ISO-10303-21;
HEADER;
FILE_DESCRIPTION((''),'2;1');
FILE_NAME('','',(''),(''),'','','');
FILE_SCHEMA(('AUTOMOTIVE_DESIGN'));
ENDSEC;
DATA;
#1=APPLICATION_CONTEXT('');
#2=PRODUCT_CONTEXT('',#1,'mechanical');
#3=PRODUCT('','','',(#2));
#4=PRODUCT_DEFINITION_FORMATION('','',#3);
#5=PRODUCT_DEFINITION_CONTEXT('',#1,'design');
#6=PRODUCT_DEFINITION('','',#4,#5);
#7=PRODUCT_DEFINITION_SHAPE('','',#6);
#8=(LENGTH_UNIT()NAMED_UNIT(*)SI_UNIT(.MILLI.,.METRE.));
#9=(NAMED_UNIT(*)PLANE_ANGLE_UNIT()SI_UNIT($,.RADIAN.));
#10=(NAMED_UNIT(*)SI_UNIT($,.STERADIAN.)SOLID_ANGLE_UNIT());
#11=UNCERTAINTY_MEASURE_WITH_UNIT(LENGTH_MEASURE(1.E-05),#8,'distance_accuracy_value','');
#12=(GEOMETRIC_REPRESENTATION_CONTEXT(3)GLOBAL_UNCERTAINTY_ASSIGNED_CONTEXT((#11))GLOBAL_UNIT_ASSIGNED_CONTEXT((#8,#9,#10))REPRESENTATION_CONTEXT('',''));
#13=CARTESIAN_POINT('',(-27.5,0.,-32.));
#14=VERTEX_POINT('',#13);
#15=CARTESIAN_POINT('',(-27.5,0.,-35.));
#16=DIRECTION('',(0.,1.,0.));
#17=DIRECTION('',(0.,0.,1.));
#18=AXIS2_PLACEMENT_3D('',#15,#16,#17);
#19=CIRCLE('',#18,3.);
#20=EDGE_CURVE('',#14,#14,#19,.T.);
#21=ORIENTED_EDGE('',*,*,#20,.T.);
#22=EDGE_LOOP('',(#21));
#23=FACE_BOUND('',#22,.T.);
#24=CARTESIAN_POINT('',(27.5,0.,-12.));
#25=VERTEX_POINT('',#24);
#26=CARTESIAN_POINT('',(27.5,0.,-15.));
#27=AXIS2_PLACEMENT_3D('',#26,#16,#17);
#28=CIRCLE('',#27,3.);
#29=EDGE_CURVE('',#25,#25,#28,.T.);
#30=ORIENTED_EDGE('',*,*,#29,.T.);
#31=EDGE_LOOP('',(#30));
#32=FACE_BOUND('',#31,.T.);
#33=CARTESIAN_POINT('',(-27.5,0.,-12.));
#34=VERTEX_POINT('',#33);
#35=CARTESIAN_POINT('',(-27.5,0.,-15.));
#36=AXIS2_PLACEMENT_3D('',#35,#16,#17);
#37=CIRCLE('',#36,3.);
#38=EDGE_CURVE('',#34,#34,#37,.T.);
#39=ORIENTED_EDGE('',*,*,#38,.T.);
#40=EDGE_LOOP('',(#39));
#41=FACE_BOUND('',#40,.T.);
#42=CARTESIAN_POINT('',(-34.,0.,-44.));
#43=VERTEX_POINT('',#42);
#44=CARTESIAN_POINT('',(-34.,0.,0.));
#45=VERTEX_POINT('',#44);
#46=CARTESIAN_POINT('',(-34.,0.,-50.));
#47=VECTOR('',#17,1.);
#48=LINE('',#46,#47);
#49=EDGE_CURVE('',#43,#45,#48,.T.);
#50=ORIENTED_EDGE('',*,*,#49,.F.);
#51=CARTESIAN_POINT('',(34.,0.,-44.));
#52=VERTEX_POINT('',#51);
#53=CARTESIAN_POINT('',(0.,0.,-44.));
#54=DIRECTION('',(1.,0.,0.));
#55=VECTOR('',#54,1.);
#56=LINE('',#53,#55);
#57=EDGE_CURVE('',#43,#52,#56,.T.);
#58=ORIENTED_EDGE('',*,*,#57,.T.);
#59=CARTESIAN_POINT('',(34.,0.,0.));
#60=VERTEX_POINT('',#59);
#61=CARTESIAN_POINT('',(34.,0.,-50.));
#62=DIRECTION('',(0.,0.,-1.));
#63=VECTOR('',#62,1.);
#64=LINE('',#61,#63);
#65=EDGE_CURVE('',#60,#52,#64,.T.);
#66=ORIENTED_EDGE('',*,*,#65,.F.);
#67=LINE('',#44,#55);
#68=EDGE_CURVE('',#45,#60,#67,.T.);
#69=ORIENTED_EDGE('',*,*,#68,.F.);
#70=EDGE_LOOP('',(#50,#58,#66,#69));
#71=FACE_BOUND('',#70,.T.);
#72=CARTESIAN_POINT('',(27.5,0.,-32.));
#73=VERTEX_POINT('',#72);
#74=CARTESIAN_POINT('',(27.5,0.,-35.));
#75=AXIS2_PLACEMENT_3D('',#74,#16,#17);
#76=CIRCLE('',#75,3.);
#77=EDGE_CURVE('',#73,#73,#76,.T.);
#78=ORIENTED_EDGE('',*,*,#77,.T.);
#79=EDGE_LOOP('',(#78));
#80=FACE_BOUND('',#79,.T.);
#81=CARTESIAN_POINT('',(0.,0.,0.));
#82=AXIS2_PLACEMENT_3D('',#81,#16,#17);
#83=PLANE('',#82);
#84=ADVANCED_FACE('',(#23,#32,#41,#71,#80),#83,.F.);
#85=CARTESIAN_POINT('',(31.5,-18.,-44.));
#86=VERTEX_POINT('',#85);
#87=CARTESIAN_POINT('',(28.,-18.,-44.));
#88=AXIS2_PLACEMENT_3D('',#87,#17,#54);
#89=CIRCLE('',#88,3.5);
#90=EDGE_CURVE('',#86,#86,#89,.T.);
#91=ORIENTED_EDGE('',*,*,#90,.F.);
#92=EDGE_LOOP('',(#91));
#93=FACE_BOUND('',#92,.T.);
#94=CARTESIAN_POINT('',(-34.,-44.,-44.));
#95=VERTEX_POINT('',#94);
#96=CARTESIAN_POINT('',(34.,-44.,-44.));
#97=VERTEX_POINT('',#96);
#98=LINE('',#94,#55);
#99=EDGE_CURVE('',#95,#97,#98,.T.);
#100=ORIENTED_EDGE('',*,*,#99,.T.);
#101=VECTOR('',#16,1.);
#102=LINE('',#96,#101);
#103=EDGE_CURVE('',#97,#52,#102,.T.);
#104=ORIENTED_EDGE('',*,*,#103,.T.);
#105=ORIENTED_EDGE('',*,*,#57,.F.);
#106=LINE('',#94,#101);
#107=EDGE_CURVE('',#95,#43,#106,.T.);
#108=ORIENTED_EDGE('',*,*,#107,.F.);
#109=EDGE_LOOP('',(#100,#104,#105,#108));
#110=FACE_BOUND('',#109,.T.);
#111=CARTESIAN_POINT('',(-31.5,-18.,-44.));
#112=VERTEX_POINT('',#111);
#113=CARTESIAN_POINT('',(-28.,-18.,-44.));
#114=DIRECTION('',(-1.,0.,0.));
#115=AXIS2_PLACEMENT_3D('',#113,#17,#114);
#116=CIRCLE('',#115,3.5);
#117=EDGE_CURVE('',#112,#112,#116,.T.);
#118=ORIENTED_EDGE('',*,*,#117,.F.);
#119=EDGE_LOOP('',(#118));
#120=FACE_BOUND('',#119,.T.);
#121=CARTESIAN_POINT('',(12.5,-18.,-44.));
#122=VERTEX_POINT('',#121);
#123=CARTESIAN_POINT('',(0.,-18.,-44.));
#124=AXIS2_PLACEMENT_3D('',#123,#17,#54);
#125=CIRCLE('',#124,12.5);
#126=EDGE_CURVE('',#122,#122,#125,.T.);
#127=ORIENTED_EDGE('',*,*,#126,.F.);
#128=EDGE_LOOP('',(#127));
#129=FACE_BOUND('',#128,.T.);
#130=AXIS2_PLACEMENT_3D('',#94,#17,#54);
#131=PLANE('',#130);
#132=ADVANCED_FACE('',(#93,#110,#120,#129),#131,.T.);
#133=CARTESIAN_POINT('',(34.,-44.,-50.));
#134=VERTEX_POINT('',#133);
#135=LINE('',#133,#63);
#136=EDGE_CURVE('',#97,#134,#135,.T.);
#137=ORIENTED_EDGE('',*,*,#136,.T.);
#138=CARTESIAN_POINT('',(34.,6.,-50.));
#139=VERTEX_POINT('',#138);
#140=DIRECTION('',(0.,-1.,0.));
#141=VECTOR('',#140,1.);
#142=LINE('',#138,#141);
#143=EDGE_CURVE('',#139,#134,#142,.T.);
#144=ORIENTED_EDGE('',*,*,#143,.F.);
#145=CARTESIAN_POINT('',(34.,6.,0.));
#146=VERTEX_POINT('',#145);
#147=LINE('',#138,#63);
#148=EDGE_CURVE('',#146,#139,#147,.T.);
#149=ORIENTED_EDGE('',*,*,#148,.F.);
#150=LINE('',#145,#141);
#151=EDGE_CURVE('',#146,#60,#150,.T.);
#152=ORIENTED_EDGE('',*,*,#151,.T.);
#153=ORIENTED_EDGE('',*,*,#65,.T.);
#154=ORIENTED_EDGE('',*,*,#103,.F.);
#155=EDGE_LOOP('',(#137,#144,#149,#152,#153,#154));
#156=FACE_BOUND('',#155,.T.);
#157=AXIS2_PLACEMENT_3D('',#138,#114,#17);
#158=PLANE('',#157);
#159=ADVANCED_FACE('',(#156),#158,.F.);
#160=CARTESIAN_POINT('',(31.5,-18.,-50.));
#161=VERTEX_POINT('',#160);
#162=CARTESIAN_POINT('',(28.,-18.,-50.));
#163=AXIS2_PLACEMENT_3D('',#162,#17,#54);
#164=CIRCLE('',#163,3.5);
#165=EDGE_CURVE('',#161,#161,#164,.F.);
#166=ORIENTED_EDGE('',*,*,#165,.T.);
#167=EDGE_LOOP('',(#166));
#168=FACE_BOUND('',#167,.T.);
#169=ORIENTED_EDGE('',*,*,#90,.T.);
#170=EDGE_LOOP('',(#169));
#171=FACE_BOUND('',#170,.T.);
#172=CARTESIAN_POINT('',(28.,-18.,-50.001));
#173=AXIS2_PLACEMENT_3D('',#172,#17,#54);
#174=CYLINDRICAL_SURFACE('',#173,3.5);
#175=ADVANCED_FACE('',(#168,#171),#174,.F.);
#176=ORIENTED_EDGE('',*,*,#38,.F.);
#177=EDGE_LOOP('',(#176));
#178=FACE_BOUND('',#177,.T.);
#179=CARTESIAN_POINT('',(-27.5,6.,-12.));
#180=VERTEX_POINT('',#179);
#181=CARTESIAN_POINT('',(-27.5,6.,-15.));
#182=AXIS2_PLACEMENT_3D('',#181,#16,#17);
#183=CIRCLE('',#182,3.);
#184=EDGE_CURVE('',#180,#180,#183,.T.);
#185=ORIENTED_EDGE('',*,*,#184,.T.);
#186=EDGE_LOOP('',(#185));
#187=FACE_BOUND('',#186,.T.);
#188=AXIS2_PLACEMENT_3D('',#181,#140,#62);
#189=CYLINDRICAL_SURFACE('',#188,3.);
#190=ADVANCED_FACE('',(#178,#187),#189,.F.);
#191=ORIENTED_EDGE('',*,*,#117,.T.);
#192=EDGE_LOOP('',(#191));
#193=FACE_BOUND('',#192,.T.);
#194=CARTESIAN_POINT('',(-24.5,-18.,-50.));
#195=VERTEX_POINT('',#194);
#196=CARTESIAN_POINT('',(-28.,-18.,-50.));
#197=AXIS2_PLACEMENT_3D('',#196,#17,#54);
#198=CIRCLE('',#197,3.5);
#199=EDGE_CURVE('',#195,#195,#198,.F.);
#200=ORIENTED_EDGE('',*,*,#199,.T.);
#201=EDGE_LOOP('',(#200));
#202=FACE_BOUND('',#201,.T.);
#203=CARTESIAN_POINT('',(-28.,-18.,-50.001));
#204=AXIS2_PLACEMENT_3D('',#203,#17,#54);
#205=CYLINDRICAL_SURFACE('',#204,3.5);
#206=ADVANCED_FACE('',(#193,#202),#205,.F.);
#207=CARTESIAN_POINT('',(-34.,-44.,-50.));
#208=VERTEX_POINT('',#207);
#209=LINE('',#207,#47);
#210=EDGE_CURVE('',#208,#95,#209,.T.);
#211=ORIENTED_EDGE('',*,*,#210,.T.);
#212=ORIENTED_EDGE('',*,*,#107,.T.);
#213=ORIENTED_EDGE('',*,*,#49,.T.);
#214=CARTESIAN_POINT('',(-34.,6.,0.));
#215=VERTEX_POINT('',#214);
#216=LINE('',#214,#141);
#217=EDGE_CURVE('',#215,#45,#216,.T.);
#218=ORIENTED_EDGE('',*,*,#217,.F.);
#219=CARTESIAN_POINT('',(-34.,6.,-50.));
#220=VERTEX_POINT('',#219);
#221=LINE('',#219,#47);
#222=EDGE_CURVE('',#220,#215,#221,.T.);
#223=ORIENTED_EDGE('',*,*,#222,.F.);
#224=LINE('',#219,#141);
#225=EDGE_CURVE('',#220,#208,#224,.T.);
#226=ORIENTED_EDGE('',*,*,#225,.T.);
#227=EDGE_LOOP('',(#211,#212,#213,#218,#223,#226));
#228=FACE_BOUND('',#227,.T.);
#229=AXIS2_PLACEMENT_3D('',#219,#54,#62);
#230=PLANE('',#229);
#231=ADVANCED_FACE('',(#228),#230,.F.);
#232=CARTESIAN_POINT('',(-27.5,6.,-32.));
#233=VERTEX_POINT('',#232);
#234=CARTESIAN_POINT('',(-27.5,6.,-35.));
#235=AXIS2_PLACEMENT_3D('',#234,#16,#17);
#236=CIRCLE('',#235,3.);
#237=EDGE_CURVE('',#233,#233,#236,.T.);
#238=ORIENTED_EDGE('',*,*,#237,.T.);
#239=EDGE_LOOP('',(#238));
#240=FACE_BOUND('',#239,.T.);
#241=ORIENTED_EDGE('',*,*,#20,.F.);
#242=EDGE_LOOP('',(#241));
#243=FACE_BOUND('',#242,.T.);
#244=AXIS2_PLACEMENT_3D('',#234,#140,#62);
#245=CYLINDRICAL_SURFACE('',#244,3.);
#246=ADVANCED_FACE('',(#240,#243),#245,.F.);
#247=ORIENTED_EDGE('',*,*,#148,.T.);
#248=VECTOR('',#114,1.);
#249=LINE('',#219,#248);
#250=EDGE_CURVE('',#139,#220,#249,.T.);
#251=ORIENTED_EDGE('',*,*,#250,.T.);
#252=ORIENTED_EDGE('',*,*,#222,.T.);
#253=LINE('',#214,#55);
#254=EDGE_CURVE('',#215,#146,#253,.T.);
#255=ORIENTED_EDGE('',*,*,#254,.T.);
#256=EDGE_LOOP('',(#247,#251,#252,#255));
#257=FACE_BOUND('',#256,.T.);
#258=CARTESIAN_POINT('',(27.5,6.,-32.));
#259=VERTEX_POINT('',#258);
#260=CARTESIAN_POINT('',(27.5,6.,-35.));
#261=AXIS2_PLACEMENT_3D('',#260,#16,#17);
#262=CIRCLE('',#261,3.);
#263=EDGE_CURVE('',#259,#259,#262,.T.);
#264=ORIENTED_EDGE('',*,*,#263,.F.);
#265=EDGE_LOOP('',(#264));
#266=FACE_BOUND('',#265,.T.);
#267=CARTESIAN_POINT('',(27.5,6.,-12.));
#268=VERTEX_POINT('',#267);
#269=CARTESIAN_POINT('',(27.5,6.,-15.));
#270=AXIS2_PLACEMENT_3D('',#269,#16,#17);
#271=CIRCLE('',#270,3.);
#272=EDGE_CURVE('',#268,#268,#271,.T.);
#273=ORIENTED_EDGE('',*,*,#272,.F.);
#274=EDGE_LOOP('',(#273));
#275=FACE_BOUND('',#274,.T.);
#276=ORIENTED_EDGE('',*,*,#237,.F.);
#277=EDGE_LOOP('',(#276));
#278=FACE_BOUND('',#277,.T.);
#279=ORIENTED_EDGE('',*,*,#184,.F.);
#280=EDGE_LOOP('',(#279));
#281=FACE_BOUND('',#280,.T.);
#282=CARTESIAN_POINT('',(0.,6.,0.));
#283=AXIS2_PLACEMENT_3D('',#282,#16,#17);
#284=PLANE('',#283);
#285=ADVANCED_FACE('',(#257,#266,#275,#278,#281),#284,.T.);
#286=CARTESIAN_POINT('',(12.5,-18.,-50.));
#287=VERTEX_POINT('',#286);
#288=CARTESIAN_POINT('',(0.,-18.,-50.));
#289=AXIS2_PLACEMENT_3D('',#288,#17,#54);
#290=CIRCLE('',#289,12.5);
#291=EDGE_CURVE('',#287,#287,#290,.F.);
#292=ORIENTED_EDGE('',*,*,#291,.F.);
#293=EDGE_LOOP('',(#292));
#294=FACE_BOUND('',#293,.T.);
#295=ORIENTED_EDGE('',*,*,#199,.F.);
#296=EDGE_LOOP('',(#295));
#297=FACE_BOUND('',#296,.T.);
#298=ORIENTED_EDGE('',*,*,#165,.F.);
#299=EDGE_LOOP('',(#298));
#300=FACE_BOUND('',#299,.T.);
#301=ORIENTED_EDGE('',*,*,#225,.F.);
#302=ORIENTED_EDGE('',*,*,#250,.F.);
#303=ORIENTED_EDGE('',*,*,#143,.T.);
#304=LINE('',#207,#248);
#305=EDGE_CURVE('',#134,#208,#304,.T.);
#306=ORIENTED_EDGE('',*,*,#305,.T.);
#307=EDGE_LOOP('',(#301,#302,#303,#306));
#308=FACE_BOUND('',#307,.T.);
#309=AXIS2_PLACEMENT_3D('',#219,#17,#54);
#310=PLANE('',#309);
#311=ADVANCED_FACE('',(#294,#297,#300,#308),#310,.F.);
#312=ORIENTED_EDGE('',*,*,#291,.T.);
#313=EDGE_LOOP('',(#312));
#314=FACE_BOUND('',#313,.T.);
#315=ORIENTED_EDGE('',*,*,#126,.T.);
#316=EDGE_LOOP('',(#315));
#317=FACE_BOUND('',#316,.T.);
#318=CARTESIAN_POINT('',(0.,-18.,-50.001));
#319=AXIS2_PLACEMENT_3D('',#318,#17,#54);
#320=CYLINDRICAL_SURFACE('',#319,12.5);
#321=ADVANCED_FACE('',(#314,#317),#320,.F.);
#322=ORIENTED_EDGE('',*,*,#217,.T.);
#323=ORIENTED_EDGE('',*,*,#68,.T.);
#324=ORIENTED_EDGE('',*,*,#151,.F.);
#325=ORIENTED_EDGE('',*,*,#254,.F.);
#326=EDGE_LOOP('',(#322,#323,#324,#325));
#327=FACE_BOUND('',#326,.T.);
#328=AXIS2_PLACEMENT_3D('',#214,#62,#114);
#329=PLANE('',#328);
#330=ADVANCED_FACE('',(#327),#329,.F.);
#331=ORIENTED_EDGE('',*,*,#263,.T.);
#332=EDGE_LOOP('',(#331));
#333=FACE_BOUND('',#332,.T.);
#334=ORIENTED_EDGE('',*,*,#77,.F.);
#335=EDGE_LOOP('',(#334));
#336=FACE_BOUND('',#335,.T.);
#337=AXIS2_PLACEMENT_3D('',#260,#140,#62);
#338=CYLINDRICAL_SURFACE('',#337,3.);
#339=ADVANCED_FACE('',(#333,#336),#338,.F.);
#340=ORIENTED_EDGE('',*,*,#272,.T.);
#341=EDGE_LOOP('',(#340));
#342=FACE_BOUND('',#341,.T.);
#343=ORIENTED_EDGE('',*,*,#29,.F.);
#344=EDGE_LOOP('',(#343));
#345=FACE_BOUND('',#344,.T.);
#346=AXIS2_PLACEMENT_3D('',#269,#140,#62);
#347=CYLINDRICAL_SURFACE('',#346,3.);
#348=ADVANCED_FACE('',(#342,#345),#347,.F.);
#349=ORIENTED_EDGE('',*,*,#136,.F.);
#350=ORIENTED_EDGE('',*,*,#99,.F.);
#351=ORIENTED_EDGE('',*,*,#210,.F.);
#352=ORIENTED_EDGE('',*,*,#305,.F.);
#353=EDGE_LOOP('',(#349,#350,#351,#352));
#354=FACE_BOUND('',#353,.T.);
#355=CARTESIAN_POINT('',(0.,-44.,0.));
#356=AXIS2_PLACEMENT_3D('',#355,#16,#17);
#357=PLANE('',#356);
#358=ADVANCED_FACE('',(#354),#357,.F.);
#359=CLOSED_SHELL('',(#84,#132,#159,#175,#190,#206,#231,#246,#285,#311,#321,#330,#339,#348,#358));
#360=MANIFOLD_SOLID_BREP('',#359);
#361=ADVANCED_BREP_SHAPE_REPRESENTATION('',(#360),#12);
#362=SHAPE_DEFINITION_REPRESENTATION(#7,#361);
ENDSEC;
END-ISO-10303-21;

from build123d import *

# Parameters (mm, degrees)
SKETCH_1_W          = 68
SKETCH_1_H          = 50
SKETCH_1_R          = 3
EXTRUDE_1_DEPTH     = 6
SKETCH_3_W          = 68
SKETCH_3_H          = 6
EXTRUDE_2_DEPTH     = 50
CUT_EXTRUDE_1_REACH = 8
SKETCH_4_R          = 12.5
SKETCH_4_R_2        = 3.5


with BuildPart() as part:
    # 草图1 → 凸台-拉伸1 (new body)
    with BuildSketch(Plane(origin=(0, 0, 0), x_dir=(1, 0, 0), z_dir=(0, 1, 0))):
        with Locations((0, 25)):
            Rectangle(SKETCH_1_W, SKETCH_1_H)
        with Locations((-27.5, 35)):
            Circle(SKETCH_1_R, mode=Mode.SUBTRACT)
        with Locations((27.5, 35)):
            Circle(SKETCH_1_R, mode=Mode.SUBTRACT)
        with Locations((-27.5, 15)):
            Circle(SKETCH_1_R, mode=Mode.SUBTRACT)
        with Locations((27.5, 15)):
            Circle(SKETCH_1_R, mode=Mode.SUBTRACT)
    extrude(amount=EXTRUDE_1_DEPTH)

    # 草图3 → 凸台-拉伸2 (add)
    with BuildSketch(Plane(origin=(0, 6, 0), x_dir=(1, 0, 0), z_dir=(0, 1, 0))):
        with Locations((0, 47)):
            Rectangle(SKETCH_3_W, SKETCH_3_H)
    extrude(amount=-EXTRUDE_2_DEPTH)

    # 草图4 → 切除-拉伸1 (cut, up to next)
    with BuildSketch(Plane.XY.offset(-44), mode=Mode.PRIVATE) as cut_extrude_1_sk1:
        with Locations((0, -18)):
            Circle(SKETCH_4_R)
    cut_extrude_1_tool1 = extrude(cut_extrude_1_sk1.sketch, amount=-CUT_EXTRUDE_1_REACH, mode=Mode.PRIVATE) & part.part
    add(cut_extrude_1_tool1.solids().sort_by_distance((0, -18, -44))[0], mode=Mode.SUBTRACT)
    # 草图4 → 切除-拉伸1 (cut, up to next)
    with BuildSketch(Plane.XY.offset(-44), mode=Mode.PRIVATE) as cut_extrude_1_sk2:
        with Locations((28, -18)):
            Circle(SKETCH_4_R_2)
    cut_extrude_1_tool2 = extrude(cut_extrude_1_sk2.sketch, amount=-CUT_EXTRUDE_1_REACH, mode=Mode.PRIVATE) & part.part
    add(cut_extrude_1_tool2.solids().sort_by_distance((28, -18, -44))[0], mode=Mode.SUBTRACT)
    # 草图4 → 切除-拉伸1 (cut, up to next)
    with BuildSketch(Plane.XY.offset(-44), mode=Mode.PRIVATE) as cut_extrude_1_sk3:
        with Locations((-28, -18)):
            Circle(SKETCH_4_R_2)
    cut_extrude_1_tool3 = extrude(cut_extrude_1_sk3.sketch, amount=-CUT_EXTRUDE_1_REACH, mode=Mode.PRIVATE) & part.part
    add(cut_extrude_1_tool3.solids().sort_by_distance((-28, -18, -44))[0], mode=Mode.SUBTRACT)


solid = part.part
